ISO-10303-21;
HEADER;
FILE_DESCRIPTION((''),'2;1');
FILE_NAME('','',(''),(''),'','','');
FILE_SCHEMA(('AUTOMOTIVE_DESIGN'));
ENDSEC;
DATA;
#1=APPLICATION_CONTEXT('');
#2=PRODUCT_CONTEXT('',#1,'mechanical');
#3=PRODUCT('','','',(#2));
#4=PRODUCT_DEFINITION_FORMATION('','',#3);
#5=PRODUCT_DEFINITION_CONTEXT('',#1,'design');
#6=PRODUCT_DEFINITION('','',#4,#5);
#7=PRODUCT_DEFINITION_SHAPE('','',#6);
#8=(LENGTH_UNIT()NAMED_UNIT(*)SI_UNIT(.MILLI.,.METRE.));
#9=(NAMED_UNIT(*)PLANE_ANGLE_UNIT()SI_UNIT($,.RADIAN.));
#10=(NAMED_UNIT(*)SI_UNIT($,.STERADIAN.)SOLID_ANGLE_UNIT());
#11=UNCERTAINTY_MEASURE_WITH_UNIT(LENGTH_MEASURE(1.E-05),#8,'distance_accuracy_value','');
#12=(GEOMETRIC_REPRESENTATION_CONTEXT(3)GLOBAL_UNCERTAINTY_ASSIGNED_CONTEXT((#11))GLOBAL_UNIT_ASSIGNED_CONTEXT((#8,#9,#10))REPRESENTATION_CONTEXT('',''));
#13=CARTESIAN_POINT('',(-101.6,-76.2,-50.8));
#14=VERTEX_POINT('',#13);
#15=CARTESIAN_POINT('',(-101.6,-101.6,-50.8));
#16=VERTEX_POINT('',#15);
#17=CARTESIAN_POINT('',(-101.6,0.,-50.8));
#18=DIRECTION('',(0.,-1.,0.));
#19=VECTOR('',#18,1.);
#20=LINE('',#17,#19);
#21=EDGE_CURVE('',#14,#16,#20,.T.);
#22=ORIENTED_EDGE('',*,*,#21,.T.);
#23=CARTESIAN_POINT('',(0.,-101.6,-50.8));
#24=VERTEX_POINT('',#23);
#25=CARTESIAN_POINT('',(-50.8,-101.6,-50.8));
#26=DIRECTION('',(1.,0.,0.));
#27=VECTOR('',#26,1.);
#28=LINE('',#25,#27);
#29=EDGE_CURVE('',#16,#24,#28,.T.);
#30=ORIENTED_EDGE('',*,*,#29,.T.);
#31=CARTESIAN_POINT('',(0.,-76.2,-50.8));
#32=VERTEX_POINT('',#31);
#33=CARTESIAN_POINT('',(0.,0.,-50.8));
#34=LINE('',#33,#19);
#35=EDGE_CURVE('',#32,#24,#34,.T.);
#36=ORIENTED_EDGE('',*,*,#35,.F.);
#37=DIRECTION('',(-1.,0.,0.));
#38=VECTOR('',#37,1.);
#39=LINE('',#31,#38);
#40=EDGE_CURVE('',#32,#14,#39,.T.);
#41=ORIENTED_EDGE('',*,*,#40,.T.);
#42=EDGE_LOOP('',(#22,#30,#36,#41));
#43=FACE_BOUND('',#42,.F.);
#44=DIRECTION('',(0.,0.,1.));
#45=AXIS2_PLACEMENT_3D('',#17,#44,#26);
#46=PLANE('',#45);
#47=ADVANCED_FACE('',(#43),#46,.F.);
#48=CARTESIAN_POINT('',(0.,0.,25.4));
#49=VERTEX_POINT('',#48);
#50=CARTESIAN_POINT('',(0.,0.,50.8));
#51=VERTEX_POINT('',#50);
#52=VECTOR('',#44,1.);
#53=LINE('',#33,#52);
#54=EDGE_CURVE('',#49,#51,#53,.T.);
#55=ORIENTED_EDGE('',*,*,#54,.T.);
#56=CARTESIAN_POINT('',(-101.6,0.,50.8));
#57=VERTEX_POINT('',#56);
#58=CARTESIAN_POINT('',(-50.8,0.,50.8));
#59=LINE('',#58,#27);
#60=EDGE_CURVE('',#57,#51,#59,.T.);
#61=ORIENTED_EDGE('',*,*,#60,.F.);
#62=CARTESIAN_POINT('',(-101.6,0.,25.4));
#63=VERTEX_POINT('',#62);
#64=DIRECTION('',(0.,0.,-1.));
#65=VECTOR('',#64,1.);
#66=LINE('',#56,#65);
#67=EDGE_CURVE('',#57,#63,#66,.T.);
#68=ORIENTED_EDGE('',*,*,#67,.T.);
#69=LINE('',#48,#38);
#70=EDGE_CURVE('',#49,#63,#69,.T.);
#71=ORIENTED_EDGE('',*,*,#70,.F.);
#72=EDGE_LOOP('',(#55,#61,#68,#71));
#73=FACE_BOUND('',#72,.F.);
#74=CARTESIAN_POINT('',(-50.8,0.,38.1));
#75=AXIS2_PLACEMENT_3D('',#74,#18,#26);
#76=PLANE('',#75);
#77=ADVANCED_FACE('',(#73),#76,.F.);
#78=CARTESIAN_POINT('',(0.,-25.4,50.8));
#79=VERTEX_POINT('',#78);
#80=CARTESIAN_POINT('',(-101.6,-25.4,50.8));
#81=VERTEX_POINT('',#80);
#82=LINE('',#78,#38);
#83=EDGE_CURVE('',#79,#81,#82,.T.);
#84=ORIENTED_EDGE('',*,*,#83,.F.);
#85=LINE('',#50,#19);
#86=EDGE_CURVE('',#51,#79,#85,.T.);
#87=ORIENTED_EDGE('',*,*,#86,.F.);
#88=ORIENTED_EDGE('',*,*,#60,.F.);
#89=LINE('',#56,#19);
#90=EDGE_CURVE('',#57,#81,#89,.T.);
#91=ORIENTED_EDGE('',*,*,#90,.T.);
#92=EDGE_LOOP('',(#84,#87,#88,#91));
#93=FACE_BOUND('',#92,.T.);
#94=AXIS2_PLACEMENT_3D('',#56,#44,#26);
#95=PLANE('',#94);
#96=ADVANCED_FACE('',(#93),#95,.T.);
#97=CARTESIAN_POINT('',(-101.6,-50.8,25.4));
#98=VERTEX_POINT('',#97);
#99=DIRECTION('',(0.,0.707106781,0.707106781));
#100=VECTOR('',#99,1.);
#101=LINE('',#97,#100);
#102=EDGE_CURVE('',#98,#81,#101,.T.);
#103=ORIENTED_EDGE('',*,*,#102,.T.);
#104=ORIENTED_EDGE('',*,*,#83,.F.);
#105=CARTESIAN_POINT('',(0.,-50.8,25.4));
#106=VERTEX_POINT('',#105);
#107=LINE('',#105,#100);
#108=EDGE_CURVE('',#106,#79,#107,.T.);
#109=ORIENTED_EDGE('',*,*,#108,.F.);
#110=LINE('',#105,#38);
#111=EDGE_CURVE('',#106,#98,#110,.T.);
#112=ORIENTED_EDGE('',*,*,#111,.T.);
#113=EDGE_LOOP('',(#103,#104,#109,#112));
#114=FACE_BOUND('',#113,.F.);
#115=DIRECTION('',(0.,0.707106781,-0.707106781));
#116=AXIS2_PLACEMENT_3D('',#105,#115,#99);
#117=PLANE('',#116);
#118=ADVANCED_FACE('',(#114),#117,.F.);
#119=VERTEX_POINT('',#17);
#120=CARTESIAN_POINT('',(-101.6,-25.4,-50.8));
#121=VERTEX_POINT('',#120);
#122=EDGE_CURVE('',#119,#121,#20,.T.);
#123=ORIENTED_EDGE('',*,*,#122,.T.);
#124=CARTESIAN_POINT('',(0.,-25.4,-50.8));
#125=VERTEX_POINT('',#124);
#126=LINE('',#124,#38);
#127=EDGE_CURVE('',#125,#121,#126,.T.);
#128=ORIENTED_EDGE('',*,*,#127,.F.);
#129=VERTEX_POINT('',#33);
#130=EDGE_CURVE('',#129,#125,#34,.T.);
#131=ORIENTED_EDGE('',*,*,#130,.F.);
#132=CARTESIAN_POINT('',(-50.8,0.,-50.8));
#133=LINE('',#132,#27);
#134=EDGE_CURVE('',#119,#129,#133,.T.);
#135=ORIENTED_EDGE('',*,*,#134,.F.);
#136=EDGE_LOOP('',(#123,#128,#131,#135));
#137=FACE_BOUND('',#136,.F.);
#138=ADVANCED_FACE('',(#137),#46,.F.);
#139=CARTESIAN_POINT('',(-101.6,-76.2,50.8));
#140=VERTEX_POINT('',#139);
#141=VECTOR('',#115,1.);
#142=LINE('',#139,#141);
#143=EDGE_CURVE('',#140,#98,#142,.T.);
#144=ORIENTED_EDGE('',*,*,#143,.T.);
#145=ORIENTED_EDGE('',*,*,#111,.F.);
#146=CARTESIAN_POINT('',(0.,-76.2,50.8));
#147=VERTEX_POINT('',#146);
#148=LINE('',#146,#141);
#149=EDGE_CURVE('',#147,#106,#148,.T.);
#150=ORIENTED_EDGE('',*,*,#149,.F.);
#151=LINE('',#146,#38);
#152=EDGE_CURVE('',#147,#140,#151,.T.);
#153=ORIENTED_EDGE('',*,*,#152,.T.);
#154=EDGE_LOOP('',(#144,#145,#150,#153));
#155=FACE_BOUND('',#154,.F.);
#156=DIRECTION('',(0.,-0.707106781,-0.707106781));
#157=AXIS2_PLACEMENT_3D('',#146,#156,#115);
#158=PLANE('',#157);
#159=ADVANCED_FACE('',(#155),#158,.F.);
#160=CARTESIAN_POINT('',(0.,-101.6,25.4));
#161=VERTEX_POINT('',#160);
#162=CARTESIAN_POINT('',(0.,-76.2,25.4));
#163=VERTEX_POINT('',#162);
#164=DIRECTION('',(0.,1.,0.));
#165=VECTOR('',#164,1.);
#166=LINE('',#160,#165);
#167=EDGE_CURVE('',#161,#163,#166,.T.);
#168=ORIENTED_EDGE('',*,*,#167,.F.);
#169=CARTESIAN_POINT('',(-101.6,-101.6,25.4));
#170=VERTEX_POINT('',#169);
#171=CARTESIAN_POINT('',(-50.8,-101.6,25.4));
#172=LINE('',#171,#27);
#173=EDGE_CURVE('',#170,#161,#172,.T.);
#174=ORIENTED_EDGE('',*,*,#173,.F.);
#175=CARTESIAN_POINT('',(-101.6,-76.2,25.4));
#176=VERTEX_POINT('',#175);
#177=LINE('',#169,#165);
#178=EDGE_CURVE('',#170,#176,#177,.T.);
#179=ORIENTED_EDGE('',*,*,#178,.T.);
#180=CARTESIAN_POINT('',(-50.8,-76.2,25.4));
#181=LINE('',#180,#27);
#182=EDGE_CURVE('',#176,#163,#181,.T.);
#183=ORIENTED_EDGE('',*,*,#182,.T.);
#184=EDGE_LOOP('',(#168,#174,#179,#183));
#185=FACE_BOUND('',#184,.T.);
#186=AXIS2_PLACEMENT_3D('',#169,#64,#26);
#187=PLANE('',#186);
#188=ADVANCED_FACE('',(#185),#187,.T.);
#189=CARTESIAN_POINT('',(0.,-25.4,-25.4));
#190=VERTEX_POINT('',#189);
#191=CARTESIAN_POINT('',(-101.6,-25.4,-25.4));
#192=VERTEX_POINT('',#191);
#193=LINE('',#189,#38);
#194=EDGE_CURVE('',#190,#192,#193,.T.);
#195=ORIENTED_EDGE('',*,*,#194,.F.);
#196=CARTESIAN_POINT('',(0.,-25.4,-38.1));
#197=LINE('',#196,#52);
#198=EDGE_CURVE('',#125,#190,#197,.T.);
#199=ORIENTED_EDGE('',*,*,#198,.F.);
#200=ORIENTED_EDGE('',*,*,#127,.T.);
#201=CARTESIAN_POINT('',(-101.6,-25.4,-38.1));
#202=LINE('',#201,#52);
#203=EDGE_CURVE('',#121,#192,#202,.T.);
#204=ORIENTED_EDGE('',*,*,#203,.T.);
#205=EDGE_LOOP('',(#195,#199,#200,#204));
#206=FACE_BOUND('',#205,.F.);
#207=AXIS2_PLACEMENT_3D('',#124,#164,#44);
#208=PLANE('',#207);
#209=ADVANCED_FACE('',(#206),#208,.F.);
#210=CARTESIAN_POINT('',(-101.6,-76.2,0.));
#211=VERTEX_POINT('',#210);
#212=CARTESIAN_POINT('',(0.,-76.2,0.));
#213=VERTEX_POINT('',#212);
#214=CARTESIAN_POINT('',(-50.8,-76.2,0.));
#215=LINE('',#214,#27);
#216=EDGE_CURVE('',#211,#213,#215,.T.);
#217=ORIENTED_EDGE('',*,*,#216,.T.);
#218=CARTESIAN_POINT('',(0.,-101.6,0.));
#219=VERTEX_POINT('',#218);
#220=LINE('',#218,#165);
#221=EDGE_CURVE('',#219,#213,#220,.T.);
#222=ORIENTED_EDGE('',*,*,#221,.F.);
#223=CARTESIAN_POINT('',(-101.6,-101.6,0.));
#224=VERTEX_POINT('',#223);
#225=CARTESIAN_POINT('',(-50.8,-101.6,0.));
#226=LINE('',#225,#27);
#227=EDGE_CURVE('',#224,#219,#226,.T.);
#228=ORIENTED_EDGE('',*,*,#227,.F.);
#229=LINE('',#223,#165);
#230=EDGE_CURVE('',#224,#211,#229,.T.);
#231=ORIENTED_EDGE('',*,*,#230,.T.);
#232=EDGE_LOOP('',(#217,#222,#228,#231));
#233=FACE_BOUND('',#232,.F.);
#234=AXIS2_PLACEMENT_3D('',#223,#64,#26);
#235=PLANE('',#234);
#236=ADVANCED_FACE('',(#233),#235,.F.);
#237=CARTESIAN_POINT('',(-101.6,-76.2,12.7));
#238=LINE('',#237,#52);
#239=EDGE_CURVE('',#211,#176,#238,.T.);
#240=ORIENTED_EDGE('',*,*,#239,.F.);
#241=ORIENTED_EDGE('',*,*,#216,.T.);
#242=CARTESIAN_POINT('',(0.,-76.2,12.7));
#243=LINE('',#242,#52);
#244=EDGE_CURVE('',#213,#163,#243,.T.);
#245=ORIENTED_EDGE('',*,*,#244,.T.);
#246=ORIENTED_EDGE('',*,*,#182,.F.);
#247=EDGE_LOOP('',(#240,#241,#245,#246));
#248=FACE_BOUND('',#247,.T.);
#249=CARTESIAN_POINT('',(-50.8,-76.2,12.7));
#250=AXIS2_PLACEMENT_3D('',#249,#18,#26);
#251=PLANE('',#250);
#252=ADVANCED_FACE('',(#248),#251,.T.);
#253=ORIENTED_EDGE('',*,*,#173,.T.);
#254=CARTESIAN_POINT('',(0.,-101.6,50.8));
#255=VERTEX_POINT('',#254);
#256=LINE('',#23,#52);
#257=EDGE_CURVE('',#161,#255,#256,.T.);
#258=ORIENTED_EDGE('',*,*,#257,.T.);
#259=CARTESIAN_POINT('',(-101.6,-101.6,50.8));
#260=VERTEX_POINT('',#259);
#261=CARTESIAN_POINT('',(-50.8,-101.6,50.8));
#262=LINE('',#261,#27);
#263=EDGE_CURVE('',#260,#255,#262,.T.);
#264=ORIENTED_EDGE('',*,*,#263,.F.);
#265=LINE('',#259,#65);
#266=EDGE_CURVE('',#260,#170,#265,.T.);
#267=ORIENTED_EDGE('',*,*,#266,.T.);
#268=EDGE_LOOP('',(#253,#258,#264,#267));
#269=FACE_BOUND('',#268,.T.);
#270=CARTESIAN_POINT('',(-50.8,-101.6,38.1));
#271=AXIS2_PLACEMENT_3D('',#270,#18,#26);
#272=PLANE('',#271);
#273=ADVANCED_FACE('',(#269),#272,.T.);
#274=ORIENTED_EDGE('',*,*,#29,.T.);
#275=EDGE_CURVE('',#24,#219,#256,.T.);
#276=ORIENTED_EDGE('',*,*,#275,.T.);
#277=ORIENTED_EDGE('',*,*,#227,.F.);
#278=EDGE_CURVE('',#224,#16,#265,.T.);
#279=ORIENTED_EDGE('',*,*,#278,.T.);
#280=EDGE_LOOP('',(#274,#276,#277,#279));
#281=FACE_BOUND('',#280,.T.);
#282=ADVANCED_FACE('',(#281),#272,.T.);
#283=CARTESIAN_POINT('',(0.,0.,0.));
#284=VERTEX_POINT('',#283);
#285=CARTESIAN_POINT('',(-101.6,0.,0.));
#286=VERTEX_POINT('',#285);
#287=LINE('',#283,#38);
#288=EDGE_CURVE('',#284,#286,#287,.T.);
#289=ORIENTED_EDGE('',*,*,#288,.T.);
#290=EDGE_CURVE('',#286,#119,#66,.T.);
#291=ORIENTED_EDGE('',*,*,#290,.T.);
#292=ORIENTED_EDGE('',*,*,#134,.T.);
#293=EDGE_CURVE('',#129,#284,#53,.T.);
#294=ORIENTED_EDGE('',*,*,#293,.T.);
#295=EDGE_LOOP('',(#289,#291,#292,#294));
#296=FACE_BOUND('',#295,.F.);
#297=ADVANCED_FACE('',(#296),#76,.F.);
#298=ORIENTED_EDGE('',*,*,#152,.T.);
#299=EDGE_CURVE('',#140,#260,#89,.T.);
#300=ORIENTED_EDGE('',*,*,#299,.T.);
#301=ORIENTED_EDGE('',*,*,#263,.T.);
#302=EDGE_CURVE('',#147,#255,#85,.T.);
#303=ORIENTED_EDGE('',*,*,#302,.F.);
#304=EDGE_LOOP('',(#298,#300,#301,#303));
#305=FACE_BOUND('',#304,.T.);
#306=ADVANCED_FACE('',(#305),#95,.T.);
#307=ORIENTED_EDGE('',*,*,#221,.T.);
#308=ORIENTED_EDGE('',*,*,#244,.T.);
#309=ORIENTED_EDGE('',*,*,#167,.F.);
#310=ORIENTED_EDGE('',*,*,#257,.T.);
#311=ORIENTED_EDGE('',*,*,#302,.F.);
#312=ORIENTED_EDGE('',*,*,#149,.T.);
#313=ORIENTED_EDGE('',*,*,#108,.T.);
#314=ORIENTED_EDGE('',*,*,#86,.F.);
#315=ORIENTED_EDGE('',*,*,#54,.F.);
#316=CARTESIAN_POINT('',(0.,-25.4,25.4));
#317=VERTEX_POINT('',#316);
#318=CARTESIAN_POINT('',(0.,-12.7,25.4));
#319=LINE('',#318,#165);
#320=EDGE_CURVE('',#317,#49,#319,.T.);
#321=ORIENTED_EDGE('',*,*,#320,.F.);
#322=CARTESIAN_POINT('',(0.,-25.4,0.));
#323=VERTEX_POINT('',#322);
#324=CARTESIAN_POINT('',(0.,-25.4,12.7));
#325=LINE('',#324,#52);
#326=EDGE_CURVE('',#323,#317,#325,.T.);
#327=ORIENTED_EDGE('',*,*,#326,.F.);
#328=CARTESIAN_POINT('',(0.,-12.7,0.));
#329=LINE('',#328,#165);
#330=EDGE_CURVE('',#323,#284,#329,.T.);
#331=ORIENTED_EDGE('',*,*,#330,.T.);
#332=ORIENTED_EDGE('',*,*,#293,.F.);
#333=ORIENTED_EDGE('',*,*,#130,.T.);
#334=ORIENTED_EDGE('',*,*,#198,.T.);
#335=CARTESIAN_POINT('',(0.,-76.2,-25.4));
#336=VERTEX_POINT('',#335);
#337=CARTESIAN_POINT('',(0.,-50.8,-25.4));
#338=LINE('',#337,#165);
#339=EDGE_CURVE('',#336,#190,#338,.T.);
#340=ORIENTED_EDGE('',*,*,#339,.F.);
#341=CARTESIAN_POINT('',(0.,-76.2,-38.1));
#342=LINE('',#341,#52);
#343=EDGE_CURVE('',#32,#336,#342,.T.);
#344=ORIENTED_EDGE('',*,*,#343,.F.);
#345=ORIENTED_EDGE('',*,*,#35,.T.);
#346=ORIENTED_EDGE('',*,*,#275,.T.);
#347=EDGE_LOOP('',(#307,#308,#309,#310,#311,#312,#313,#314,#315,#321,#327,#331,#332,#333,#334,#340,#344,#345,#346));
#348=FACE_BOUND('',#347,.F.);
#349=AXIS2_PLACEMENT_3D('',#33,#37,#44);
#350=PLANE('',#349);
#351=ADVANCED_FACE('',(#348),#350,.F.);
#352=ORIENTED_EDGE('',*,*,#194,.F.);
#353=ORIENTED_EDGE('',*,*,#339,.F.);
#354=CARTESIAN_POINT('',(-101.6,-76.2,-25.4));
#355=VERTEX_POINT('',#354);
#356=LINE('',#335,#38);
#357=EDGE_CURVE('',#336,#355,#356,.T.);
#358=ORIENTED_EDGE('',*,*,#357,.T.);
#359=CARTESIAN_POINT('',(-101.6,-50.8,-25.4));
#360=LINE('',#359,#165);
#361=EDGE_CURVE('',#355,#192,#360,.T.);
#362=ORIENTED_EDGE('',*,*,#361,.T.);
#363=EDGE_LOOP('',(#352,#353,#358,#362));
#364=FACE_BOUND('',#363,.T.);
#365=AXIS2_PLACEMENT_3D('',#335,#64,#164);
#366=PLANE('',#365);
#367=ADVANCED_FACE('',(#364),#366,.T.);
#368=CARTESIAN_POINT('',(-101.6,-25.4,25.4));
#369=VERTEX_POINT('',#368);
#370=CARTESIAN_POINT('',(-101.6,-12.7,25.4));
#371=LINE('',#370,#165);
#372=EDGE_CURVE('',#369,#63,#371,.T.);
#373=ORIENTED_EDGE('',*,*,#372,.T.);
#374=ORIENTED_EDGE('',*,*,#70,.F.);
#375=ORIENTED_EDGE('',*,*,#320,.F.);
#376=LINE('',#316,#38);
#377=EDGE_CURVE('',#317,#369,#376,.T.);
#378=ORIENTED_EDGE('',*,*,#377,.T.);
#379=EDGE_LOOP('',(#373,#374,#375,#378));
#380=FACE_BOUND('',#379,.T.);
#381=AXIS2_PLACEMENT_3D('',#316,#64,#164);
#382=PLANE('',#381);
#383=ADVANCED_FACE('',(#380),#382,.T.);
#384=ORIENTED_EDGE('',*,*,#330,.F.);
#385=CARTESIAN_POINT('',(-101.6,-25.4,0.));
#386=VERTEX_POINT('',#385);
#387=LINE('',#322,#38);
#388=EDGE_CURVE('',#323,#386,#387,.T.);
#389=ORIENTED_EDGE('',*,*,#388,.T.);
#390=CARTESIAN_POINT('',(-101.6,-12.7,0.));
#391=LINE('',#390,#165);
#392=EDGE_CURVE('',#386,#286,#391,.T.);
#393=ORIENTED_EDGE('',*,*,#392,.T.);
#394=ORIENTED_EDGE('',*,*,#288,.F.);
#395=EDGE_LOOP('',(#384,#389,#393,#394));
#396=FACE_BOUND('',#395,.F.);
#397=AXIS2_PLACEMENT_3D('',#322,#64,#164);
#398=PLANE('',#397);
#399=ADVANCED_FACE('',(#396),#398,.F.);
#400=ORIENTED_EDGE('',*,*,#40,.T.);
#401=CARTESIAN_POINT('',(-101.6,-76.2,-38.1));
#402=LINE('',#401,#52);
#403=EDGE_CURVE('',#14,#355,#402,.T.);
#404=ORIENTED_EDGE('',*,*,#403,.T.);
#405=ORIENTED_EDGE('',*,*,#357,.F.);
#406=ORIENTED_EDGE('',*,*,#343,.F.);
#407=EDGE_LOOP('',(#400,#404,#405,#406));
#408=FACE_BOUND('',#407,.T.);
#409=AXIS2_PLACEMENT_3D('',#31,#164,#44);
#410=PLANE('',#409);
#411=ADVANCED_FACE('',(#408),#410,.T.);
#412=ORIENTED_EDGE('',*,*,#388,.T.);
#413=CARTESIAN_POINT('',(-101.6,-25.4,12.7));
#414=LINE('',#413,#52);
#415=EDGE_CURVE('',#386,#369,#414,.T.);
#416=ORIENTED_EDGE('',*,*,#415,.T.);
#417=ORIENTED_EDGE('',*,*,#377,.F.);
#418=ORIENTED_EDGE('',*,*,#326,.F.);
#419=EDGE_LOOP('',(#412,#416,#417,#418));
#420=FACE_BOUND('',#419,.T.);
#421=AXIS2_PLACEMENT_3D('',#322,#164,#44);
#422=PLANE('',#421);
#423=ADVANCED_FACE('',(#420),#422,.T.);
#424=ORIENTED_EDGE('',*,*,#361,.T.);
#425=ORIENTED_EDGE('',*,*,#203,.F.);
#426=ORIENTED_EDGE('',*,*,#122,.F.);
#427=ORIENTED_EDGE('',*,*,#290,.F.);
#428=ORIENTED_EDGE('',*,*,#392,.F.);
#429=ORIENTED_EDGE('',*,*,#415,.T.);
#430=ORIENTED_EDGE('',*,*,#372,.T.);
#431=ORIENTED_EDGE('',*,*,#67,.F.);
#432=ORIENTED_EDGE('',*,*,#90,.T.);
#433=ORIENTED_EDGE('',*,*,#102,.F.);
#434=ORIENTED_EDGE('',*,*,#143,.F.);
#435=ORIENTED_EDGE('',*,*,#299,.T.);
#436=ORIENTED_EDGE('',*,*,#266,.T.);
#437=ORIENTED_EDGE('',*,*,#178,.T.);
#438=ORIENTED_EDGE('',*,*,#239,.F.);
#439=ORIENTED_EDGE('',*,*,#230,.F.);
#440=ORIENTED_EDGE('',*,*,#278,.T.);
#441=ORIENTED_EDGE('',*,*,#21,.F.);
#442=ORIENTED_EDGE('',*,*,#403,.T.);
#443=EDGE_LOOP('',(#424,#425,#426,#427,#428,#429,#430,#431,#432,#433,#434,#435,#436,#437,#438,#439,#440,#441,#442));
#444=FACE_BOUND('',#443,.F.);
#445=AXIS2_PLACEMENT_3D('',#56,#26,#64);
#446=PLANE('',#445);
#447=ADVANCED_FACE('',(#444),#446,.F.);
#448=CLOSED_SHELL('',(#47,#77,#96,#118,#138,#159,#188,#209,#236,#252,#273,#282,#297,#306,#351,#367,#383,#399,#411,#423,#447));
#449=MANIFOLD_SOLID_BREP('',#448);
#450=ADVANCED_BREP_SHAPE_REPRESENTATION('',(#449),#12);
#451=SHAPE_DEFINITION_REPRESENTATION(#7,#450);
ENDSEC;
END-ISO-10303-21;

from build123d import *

# Parameters (mm, degrees)
F0_W     = 101.6
F0_H     = 25.4
F0_H_2   = 50.8
F1_DEPTH = 101.6
F2_W     = 101.6
F2_H     = 25.4
F3_DEPTH = 25.4
F4_W     = 50.8
F4_H     = 25.4
F5_DEPTH = 101.6
F6_W     = 25.4
F6_H     = 25.4
F7_DEPTH = 101.6
F9_DEPTH = 101.6


with BuildPart() as f1:
    # F0 (on Front) → F1 (new body)
    with BuildSketch(Plane.XZ):
        with Locations((-50.8, 38.1)):
            Rectangle(F0_W, F0_H)
        with Locations((-50.8, -25.4)):
            Rectangle(F0_W, F0_H_2)
        with Locations((-50.8, 12.7)):
            Rectangle(F0_W, F0_H)
    extrude(amount=F1_DEPTH)

    # F2 (on face) → F3 (cut)
    with BuildSketch(Plane.XZ.offset(101.6)):
        with Locations((-50.8, 12.7)):
            Rectangle(F2_W, F2_H)
    extrude(amount=-F3_DEPTH, mode=Mode.SUBTRACT)

    # F4 (on face) → F5 (cut)
    with BuildSketch(Plane.YZ):
        with Locations((-50.8, -38.1)):
            Rectangle(F4_W, F4_H)
    extrude(amount=-F5_DEPTH, mode=Mode.SUBTRACT)

    # F6 (on face) → F7 (cut)
    with BuildSketch(Plane.YZ):
        with Locations((-12.7, 12.7)):
            Rectangle(F6_W, F6_H)
    extrude(amount=-F7_DEPTH, mode=Mode.SUBTRACT)

    # F8 (on face) → F9 (cut)
    with BuildSketch(Plane.YZ):
        Polygon((-25.4, 50.8), (-76.2, 50.8), (-50.8, 25.4), align=None)
    extrude(amount=-F9_DEPTH, mode=Mode.SUBTRACT)


solid = f1.part
